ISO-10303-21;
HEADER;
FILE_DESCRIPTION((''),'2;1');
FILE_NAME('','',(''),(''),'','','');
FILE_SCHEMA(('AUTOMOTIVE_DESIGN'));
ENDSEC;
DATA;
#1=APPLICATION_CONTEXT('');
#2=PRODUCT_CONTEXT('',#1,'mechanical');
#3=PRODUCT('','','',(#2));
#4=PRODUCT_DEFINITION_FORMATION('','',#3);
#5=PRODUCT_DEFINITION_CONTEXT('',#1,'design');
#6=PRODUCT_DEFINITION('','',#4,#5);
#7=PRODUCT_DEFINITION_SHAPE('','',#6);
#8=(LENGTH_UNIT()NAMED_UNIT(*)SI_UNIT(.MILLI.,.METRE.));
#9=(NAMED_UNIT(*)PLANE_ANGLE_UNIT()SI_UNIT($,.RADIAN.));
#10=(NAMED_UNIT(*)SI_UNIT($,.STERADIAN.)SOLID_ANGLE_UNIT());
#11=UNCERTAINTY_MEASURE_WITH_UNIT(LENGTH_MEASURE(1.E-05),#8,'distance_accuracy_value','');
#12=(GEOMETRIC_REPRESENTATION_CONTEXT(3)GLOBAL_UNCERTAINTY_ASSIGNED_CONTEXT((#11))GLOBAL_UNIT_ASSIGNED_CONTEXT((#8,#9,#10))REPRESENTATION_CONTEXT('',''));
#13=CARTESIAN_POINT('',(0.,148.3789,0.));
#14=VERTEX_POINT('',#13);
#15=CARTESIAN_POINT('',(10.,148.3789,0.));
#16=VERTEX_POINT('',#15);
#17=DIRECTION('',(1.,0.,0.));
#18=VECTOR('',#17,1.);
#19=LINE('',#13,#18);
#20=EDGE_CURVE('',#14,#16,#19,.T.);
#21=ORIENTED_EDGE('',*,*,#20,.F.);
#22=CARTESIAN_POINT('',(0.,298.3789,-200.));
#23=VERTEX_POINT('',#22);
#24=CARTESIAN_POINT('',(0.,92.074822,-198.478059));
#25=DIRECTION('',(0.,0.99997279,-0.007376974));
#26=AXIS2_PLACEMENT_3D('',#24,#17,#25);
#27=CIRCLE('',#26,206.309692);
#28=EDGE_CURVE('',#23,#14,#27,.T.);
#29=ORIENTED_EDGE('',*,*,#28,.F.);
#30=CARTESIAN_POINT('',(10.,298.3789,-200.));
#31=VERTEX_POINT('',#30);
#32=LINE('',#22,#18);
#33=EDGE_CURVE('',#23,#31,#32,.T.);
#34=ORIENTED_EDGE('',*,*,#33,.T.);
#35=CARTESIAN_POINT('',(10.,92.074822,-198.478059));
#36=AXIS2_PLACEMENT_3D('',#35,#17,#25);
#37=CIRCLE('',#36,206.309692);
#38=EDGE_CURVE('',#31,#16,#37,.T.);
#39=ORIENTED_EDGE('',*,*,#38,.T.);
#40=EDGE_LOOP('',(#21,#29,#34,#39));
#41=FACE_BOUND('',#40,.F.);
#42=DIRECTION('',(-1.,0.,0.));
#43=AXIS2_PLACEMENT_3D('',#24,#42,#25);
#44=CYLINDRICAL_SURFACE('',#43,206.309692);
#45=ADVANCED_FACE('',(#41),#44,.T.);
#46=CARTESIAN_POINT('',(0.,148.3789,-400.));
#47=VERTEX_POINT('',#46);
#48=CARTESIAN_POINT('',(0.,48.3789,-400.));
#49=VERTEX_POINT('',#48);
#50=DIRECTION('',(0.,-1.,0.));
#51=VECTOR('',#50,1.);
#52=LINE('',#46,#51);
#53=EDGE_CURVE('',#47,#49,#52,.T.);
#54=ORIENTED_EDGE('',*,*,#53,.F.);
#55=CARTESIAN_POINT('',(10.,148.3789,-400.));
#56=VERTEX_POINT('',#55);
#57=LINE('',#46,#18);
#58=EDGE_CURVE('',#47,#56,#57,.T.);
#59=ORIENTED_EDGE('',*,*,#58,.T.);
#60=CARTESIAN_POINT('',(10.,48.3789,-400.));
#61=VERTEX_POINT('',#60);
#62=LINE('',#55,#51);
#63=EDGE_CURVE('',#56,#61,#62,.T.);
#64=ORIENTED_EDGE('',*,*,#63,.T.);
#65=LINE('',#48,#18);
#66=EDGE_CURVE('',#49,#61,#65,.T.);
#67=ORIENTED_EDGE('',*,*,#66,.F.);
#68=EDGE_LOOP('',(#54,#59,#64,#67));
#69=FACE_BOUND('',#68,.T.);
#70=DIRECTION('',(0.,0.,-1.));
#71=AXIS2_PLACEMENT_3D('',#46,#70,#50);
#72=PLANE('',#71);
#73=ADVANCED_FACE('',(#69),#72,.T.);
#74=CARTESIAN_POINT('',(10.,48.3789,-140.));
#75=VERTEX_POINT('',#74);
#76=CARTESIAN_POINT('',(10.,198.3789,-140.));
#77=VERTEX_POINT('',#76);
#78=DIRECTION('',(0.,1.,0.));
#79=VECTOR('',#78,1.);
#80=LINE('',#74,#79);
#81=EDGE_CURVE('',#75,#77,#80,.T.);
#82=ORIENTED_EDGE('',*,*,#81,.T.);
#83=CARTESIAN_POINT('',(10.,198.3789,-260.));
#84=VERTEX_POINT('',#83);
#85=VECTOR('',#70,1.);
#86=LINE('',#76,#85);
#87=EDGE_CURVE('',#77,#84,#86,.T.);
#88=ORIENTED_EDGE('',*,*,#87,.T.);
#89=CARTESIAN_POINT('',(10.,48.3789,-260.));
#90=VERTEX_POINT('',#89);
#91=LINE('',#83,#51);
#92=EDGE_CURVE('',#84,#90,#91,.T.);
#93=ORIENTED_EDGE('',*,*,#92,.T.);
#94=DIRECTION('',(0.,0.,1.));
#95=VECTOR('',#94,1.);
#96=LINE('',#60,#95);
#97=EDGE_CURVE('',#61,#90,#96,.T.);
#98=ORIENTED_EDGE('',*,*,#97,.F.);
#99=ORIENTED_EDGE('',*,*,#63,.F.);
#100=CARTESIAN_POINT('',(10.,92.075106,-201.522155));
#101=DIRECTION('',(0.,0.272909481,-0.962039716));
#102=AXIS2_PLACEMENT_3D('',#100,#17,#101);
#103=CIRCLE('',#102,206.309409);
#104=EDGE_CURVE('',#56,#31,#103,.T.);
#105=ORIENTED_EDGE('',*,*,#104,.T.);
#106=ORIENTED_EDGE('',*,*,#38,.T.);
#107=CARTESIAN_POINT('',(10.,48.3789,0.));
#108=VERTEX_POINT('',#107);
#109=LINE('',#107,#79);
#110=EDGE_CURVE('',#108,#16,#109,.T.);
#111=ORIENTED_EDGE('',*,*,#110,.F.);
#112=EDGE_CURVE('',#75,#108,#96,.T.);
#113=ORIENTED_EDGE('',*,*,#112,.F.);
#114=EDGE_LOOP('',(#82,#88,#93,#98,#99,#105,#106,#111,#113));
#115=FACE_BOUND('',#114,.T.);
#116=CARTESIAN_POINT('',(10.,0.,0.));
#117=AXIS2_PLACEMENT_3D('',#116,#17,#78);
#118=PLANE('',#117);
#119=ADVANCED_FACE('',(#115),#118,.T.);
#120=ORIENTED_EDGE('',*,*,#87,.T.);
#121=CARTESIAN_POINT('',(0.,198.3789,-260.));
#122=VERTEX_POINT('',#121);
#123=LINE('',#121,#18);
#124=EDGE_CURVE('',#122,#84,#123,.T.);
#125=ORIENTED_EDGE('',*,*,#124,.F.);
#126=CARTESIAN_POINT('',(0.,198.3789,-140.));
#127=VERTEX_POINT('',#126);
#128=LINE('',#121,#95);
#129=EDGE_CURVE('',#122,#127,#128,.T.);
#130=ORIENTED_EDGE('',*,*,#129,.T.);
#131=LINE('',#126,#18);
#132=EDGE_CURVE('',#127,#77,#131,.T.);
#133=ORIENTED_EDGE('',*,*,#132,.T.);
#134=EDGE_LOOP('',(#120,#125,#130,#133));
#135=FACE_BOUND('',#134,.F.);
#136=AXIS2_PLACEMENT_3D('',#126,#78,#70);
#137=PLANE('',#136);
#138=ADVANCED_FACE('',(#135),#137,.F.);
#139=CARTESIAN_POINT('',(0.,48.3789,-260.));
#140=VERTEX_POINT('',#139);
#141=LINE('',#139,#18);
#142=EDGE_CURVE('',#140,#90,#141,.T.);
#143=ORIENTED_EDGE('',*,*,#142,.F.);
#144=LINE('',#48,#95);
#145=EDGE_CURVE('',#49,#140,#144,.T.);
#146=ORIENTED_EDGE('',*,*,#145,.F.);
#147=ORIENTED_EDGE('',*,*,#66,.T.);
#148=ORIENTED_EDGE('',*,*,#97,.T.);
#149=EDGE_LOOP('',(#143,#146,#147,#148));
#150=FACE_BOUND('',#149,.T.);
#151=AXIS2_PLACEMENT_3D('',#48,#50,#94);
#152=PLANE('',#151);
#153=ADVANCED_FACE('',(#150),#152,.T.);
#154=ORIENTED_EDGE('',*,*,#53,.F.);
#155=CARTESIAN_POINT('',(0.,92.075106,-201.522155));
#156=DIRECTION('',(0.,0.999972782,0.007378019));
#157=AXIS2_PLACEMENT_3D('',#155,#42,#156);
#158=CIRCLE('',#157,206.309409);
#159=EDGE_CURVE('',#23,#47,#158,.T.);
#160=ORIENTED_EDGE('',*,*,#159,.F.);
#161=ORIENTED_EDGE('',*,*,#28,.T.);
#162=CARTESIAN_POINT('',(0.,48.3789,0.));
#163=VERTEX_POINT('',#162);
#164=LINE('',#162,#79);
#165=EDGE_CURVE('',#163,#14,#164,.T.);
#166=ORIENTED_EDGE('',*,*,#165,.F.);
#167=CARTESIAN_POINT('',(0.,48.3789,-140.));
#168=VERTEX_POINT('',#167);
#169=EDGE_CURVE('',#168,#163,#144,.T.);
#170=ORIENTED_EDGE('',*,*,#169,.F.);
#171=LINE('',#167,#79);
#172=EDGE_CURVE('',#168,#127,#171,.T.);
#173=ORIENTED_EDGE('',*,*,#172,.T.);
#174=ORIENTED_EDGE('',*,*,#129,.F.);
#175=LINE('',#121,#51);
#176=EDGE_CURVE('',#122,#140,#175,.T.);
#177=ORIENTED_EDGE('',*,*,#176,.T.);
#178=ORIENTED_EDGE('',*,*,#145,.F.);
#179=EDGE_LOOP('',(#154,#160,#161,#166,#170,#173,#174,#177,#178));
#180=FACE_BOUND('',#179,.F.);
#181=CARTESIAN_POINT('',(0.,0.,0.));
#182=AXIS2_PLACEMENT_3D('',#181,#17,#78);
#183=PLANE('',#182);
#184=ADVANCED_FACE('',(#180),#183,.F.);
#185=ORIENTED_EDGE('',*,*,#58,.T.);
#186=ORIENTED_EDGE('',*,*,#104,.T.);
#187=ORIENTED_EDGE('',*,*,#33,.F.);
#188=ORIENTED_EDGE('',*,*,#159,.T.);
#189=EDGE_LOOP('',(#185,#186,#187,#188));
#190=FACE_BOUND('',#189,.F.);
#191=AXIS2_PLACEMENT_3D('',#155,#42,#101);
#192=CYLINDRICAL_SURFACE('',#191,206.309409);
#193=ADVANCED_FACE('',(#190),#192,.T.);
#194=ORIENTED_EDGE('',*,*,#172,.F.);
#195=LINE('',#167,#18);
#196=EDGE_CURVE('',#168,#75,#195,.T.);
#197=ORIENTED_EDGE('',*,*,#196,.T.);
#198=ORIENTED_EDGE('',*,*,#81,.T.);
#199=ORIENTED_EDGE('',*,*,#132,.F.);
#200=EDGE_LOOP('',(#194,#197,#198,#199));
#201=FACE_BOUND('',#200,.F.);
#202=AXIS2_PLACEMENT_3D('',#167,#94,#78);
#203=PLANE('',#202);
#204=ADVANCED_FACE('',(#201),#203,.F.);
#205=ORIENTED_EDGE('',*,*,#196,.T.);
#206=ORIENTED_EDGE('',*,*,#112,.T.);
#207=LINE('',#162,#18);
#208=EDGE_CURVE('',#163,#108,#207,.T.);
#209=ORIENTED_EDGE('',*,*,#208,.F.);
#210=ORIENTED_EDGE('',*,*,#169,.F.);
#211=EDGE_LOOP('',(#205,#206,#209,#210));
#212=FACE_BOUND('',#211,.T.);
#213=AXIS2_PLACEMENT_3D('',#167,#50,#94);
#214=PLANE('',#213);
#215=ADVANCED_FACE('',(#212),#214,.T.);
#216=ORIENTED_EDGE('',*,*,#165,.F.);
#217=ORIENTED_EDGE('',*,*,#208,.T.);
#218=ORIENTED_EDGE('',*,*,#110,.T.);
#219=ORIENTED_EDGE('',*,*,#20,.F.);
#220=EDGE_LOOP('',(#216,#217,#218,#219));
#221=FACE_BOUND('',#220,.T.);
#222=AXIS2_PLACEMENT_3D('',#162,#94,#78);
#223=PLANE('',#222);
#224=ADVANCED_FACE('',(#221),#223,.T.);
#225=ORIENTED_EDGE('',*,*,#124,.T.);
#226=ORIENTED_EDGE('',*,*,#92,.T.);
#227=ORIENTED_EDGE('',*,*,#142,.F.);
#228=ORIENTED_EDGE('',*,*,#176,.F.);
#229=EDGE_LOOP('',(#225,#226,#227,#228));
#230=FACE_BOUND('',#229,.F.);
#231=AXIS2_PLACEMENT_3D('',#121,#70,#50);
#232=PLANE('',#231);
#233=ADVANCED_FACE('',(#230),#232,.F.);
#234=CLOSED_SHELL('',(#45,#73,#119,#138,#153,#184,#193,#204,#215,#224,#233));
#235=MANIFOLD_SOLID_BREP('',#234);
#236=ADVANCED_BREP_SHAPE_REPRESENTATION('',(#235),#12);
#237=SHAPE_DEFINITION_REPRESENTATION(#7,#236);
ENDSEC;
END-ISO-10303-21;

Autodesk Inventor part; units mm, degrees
ref_plane "YZ Plane" through (0, 0, 0) normal (1, 0, 0) x (0, 1, 0)
ref_plane "XZ Plane" through (0, 0, 0) normal (0, 1, 0) x (-1, 0, 0)
ref_plane "XY Plane" through (0, 0, 0) normal (0, 0, 1) x (1, 0, 0)
sketch "Sketch1" plane through (0, 0, 0) normal (1, 0, 0) x (0, 1, 0)
  line L0 (48.3789, 0) -> (148.3789, 0)
  line L1 (248.3789, -333.1357) -> (248.3789, -336.1798)
  line L2 (148.3789, -400) -> (48.3789, -400)
  line L3 (48.3789, -400) -> (48.3789, 0)
  line L4 (198.3789, -260) -> (48.3789, -260)
  line L5 (48.3789, -260) -> (48.3789, -140)
  line L6 (48.3789, -140) -> (198.3789, -140)
  line L7 (198.3789, -140) -> (198.3789, -260)
  line L8 (-98.7773, -200) -> (409.3156, -200)
  arc A0 (298.3789, -200) -> (148.3789, 0) centre (92.075, -198.478) ccw
  arc A1 (148.3789, -400) -> (298.3789, -200) centre (92.075, -201.522) ccw
  point P0 (248.3789, -63.8202)
  point P1 (248.3789, -200)
  dimension "d11" = 120
  dimension "d12" = 150
  dimension "d13" = 50
  dimension "d14" = 140
  dimension "d18" = 200
  dimension "d19" = 200
  dimension "d20" = 50
  dimension "d21" = 100
  dimension "d23" = 400
extrude "Extrusion1" add sketch "Sketch1" along normal blind 10 contours L0 A0 L8 L7 L6 L3 | A1 L2 L3 L4 L7 L8
properties part number "beam"
